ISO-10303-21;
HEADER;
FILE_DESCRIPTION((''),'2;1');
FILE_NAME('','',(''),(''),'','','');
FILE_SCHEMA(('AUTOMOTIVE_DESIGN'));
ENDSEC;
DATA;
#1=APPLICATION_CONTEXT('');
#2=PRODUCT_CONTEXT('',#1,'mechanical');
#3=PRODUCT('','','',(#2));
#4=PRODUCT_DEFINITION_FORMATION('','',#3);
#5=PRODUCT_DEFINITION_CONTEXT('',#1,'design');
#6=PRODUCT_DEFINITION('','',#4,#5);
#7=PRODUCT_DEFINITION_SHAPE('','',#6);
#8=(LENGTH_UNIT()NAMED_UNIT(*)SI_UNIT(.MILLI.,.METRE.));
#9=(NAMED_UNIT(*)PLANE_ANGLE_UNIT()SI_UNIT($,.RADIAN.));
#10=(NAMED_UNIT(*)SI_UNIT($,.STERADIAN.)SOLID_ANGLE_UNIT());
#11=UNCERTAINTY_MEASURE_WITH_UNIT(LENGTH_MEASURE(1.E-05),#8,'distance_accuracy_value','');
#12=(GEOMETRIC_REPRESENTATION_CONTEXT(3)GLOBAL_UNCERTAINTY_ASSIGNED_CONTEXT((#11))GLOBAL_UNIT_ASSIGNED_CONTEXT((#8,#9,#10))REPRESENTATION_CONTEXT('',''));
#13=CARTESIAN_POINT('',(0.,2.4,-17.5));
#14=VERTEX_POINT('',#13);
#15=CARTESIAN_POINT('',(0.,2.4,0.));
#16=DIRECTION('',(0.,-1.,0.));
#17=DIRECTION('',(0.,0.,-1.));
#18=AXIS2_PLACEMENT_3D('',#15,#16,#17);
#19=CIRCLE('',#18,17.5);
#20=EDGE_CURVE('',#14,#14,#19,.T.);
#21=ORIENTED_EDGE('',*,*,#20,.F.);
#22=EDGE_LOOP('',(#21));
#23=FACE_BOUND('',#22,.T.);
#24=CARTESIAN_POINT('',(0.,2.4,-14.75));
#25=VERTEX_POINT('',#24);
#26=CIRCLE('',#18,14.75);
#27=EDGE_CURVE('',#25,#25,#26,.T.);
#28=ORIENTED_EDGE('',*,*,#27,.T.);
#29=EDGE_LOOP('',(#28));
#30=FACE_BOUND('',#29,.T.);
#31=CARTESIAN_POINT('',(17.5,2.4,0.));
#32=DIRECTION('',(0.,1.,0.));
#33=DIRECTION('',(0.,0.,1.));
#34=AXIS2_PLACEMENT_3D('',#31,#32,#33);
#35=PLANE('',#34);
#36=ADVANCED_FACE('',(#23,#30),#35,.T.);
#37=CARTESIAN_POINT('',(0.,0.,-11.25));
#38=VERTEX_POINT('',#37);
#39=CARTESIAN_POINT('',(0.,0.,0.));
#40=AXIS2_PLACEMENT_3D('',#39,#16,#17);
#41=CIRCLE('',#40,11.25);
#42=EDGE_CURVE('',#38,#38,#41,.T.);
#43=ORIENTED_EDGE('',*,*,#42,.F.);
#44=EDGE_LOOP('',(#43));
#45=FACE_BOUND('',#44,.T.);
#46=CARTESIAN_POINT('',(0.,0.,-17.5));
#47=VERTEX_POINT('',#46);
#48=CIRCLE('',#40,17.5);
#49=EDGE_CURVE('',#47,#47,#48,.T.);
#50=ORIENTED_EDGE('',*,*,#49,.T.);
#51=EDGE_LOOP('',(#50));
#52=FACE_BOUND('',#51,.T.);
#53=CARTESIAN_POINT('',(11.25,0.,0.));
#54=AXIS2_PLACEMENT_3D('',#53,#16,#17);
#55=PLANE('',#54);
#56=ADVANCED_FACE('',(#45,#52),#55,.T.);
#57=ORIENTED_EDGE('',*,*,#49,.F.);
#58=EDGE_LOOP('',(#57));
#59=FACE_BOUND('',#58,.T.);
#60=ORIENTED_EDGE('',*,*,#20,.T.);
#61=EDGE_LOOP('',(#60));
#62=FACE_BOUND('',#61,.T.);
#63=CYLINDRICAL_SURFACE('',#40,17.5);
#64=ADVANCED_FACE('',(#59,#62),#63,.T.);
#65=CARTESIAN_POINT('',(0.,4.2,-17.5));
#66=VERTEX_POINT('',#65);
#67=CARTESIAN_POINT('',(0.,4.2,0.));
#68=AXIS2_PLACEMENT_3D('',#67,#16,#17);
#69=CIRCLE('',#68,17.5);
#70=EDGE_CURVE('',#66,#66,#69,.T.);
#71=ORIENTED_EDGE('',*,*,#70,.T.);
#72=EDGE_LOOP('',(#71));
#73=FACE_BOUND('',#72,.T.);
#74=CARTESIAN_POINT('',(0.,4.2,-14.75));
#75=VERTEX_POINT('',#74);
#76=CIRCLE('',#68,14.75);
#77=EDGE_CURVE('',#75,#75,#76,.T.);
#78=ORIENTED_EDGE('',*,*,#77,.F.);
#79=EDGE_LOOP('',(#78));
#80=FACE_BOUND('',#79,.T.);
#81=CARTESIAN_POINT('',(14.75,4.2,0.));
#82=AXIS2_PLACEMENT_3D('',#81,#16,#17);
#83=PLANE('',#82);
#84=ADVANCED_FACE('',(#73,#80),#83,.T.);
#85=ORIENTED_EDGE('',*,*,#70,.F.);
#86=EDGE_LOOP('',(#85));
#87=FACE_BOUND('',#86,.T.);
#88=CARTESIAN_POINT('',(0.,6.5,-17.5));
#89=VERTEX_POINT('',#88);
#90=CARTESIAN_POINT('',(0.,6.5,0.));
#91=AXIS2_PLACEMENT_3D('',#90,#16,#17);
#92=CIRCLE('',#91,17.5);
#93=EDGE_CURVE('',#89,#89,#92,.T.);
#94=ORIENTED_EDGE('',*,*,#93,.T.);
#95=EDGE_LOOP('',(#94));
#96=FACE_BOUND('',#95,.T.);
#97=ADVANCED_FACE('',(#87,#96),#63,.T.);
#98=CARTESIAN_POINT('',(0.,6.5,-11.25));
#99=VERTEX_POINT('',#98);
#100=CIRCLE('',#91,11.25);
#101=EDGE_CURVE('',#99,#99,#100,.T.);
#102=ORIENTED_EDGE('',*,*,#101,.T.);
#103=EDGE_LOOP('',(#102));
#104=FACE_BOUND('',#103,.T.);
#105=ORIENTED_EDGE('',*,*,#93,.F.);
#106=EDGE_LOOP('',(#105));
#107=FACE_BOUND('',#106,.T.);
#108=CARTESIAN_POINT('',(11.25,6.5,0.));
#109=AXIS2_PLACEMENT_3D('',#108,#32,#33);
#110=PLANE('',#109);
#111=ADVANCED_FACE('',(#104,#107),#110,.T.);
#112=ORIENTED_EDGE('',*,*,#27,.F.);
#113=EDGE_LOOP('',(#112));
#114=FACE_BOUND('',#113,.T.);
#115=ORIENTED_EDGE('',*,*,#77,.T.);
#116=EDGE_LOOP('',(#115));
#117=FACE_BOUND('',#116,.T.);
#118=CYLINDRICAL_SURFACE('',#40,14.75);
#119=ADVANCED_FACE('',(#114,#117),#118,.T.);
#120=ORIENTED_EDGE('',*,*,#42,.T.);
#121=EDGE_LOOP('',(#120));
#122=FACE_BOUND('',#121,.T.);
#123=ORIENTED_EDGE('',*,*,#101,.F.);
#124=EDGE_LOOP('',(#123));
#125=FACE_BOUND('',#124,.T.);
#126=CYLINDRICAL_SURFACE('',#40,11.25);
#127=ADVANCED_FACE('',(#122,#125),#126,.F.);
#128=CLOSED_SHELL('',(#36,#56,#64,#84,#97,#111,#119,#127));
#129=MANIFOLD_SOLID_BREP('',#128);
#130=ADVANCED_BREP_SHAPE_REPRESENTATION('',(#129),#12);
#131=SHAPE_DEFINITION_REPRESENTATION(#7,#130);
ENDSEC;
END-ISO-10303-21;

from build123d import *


with BuildPart() as part:
    # Sketch1 → Revolve1 (revolve)
    with BuildSketch(Plane.XY):
        Polygon((17.5, 2.4), (14.75, 2.4), (14.75, 4.2), (17.5, 4.2), (17.5, 6.5), (11.25, 6.5), (11.25, 0), (17.5, 0), align=None)
    revolve(axis=Axis((0, 0, 0), (0, 1, 0)))


solid = part.part
